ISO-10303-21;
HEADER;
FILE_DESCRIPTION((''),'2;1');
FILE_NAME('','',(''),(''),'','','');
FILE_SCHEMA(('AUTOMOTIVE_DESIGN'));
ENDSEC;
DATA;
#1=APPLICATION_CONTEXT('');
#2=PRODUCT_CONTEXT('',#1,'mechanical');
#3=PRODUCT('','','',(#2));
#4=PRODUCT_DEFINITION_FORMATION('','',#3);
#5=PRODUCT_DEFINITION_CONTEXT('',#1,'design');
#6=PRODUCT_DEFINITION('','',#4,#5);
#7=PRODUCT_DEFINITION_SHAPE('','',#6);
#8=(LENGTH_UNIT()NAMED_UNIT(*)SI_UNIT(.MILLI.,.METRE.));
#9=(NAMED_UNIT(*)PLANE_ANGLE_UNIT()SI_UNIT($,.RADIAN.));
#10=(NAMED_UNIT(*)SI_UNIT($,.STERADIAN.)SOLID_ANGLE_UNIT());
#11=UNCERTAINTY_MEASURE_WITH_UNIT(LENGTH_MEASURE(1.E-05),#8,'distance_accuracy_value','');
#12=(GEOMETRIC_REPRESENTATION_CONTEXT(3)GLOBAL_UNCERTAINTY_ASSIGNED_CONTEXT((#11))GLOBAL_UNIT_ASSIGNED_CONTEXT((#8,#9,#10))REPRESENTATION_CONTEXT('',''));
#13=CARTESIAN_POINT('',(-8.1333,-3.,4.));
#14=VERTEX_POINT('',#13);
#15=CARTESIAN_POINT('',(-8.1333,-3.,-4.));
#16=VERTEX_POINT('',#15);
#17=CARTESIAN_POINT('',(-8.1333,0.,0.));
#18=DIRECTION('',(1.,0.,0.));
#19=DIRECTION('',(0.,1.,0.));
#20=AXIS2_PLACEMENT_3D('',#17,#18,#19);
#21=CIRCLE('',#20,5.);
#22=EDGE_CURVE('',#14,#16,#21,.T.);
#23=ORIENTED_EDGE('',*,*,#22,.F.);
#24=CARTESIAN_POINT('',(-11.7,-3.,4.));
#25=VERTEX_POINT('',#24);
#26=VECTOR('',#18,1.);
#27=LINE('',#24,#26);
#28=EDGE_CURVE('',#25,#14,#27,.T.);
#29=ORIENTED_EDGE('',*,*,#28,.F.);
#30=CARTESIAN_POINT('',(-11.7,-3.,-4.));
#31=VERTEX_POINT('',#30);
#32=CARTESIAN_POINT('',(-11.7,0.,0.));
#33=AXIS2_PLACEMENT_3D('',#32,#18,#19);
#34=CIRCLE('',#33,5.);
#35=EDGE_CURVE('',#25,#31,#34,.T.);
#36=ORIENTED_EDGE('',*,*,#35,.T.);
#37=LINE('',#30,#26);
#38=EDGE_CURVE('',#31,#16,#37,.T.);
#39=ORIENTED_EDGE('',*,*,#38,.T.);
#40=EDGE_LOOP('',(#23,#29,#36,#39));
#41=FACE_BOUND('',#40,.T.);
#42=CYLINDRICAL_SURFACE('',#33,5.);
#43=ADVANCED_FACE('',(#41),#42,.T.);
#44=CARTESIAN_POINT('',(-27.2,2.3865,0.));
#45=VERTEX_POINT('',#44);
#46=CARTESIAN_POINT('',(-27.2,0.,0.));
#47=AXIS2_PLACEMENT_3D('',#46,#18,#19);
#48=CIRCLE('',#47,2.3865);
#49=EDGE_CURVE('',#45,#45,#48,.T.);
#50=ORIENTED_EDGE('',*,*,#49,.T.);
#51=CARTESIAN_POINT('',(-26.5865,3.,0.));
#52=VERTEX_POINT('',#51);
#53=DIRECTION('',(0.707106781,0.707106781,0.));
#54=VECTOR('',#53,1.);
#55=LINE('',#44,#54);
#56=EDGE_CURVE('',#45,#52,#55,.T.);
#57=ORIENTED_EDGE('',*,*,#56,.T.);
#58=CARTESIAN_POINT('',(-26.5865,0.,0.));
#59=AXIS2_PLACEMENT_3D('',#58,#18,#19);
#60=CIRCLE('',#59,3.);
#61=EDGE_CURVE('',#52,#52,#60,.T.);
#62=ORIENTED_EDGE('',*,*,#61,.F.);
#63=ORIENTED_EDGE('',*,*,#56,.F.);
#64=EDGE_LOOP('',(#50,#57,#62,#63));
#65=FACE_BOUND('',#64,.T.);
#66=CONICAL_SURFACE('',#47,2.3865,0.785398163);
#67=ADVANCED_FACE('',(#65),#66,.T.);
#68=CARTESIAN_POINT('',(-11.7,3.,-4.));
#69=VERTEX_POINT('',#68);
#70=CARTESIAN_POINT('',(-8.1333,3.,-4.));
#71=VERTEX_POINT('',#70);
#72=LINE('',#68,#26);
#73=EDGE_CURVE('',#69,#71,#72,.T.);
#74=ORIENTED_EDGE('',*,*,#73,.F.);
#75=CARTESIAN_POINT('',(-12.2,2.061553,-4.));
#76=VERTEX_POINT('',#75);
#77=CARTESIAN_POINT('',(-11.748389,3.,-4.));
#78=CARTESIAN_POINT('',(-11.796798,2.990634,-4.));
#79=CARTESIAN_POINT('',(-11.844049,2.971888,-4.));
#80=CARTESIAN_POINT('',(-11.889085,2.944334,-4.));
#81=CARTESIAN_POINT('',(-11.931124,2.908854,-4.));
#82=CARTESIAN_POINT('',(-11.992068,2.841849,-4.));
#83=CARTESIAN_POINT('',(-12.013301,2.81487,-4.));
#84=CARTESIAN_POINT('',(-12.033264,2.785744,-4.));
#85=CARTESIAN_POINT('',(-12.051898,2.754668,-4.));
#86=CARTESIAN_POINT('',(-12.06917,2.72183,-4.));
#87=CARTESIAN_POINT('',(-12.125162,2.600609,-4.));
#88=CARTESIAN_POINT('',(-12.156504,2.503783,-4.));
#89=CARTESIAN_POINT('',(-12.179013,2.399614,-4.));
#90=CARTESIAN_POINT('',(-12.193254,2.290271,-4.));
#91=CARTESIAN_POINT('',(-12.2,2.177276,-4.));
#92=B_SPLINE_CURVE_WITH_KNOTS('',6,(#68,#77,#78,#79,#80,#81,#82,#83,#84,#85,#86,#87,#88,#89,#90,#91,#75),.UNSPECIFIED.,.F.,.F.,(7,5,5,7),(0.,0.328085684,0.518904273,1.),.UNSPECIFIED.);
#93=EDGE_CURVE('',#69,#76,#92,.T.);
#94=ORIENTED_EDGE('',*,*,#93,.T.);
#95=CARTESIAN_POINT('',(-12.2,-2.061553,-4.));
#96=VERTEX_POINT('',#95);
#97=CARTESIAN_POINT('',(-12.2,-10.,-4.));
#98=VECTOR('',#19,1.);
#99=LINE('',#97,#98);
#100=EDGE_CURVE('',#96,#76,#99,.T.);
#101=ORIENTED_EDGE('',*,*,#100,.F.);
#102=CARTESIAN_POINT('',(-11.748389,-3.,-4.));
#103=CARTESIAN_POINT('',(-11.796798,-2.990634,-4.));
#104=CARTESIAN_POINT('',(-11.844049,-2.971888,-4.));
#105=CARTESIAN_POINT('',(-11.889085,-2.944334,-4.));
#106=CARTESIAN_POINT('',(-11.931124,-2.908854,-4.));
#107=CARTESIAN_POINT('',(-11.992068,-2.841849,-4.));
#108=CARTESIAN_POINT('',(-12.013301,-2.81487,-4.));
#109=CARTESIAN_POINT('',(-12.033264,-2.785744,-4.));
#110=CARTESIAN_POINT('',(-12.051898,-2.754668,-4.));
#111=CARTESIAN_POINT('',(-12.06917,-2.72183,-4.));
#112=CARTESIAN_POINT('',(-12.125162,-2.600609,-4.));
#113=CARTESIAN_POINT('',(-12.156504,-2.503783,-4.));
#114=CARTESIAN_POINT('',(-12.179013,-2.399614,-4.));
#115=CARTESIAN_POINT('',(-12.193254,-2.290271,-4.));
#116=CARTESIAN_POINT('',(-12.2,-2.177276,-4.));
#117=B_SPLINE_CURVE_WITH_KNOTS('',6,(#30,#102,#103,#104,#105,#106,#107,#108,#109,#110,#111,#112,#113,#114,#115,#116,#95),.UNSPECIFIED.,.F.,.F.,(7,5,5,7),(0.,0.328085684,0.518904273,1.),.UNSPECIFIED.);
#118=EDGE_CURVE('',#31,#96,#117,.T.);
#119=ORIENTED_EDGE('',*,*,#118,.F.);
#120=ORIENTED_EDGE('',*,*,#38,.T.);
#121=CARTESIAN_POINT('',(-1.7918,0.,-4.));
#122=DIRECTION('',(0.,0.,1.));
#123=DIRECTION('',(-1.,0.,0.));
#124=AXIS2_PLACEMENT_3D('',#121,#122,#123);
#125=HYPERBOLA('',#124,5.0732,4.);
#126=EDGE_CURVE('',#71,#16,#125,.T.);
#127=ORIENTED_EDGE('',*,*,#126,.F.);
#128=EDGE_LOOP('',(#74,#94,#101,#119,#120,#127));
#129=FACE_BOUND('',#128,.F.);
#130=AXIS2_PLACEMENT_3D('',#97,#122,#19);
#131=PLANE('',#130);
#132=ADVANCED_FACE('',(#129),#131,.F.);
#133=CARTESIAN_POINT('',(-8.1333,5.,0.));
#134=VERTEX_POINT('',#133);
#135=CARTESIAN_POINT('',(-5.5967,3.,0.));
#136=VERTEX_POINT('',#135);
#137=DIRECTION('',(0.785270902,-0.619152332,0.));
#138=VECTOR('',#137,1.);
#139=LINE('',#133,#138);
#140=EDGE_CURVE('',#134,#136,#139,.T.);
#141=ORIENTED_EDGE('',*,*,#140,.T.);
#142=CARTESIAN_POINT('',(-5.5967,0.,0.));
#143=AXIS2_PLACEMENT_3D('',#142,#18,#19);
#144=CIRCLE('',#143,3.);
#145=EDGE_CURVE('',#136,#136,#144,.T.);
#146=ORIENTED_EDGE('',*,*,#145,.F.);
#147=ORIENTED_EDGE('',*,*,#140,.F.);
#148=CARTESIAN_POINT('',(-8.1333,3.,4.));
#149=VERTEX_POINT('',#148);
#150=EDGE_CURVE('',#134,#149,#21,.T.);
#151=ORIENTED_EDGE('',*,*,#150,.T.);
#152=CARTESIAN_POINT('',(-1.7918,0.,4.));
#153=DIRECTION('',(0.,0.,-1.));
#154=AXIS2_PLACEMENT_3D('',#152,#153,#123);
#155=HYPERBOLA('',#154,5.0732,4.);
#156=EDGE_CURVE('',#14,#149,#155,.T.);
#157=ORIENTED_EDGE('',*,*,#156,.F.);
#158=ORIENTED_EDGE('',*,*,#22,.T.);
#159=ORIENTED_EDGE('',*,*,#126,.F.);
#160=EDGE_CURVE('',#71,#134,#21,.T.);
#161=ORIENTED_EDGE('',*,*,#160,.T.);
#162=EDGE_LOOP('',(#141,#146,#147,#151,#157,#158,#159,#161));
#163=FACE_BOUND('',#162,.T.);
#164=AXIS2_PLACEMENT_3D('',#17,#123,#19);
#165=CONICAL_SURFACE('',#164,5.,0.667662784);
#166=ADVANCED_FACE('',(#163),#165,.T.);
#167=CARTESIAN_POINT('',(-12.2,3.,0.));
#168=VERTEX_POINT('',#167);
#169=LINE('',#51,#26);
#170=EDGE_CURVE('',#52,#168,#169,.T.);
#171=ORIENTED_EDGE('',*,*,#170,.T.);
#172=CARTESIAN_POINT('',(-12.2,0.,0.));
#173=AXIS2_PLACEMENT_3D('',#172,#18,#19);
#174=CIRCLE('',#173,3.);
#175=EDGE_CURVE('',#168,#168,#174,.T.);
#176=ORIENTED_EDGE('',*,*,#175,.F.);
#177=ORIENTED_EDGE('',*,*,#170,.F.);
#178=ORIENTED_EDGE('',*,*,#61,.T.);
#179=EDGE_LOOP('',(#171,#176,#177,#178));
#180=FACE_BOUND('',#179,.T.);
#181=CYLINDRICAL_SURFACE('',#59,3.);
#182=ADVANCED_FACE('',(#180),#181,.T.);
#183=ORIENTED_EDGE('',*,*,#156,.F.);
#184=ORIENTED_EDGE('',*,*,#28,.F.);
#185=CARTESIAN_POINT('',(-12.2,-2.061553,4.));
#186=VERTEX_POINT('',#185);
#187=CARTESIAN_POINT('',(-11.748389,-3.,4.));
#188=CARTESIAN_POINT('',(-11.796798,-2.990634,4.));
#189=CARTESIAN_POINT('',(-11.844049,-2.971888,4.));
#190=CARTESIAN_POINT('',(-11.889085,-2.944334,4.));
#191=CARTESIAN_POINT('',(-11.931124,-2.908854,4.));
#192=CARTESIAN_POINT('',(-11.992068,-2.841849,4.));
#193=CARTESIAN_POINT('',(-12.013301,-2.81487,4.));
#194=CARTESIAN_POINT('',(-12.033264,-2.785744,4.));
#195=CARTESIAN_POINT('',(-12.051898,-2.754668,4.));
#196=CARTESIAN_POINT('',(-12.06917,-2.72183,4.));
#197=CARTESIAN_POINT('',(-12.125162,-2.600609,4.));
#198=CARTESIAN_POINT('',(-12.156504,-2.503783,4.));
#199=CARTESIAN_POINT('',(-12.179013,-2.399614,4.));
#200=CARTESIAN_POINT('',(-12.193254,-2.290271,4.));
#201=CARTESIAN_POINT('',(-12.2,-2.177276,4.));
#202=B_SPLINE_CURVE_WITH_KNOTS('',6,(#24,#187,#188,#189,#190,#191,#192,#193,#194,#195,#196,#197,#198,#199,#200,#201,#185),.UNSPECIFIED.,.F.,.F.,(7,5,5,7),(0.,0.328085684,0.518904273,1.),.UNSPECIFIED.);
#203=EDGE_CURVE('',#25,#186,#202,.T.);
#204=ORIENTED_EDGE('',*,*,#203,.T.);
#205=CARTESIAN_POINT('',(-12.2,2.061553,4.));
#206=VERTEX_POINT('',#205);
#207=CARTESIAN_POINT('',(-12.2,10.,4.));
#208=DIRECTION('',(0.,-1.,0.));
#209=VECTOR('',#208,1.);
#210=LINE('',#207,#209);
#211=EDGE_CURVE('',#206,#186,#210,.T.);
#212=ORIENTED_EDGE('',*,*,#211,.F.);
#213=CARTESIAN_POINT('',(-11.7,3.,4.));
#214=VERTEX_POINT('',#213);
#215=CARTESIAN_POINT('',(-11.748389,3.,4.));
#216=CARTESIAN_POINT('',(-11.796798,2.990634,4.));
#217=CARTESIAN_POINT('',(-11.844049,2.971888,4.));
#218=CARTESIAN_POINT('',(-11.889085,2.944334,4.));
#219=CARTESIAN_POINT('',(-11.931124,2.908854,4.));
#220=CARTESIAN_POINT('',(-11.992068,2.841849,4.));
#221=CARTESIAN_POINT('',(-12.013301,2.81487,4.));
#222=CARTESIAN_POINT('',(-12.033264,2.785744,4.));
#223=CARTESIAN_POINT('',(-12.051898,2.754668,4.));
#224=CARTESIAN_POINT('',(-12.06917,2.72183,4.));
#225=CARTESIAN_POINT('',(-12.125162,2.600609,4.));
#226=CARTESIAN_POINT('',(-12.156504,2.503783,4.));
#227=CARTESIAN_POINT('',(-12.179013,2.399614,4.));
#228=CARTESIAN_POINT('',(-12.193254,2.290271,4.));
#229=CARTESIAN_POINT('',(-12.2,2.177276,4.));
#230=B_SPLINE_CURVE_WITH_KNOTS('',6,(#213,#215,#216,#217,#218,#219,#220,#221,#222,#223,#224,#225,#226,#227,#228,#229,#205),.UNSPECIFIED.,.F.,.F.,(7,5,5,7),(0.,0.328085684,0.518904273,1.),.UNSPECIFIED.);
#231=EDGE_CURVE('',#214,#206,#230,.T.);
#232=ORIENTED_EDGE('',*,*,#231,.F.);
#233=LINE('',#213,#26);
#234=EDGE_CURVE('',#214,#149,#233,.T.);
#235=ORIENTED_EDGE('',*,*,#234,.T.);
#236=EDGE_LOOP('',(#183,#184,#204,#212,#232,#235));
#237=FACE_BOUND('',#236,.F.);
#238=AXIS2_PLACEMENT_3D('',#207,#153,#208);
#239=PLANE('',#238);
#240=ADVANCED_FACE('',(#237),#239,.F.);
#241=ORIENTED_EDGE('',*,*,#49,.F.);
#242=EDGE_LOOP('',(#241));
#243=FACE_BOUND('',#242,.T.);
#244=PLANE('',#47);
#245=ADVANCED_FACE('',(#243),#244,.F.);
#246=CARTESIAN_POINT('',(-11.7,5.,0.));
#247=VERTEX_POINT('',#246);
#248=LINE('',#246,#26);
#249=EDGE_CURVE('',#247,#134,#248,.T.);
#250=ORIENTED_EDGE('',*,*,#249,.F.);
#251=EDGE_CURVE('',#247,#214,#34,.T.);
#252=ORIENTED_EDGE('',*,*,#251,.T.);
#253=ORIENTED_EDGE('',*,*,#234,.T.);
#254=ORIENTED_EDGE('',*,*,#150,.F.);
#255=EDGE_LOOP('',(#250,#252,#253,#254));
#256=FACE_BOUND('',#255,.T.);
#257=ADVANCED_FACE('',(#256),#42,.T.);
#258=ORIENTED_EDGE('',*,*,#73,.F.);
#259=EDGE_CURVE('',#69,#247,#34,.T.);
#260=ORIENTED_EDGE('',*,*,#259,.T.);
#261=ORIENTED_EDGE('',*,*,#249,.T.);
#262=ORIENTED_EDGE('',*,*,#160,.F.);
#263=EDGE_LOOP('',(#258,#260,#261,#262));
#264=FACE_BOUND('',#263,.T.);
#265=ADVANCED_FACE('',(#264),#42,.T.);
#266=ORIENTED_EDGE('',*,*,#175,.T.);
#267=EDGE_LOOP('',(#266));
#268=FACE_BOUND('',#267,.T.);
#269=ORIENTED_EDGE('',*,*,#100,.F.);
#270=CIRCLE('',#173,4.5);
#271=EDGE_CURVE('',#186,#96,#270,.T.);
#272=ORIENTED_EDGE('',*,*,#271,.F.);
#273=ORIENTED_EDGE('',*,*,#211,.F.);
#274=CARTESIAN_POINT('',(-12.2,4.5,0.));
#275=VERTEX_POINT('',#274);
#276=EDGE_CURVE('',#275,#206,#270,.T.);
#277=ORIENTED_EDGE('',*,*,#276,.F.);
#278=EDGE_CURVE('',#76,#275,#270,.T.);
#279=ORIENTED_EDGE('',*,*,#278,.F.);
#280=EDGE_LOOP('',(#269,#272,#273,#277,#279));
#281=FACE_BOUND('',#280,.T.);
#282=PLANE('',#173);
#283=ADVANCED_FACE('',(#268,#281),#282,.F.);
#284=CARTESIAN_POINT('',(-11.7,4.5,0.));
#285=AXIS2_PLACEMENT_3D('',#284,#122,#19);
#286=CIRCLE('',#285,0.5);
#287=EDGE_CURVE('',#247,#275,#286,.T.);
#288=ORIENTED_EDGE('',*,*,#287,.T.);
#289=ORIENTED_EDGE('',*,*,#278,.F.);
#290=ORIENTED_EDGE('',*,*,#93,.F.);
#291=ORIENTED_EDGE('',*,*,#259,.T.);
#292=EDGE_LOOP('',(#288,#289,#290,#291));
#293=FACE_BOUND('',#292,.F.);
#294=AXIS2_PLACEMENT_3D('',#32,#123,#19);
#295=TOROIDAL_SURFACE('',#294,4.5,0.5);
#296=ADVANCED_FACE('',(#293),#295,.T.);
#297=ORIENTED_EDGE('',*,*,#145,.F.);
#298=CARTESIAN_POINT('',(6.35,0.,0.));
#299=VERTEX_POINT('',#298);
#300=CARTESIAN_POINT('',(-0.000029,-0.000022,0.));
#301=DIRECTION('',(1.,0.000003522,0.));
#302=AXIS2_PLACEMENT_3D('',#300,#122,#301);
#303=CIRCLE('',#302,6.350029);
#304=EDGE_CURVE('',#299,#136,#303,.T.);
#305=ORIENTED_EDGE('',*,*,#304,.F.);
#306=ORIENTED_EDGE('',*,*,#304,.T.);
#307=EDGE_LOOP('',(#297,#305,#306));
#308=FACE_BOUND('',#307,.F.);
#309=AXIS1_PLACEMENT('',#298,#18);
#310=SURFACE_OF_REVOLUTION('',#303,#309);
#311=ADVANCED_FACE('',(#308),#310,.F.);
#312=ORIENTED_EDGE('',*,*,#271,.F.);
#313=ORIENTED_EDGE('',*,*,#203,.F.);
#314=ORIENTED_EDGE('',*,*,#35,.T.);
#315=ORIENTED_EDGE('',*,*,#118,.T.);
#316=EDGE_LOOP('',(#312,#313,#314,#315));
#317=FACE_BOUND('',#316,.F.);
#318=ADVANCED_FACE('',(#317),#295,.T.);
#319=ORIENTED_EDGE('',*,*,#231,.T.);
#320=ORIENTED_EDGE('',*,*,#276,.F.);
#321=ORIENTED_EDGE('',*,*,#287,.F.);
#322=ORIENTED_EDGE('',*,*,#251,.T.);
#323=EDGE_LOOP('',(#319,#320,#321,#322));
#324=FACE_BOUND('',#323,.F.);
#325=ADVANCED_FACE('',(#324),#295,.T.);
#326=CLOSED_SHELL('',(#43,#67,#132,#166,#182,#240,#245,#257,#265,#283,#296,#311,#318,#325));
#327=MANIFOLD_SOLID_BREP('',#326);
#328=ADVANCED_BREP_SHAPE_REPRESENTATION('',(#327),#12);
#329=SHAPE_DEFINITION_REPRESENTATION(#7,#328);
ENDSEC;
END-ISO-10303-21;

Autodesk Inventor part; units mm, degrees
sketch "Sketch_1" plane through (0, 0, 0) normal (0, 0, 1) x (1, 0, 0)
  line L0 (6.35, 0) -> (-27.2, 0)
  line L1 (-27.2, 0) -> (-27.2, 2.3865)
  line L2 (-27.2, 2.3865) -> (-26.5865, 3)
  line L3 (-26.5865, 3) -> (-12.2, 3)
  line L4 (-12.2, 3) -> (-12.2, 4.5)
  arc A0 (-11.7, 5) -> (-12.2, 4.5) centre (-11.7, 4.5) ccw
  line L5 (-11.7, 5) -> (-8.1333, 5)
  line L6 (-8.1333, 5) -> (-5.5967, 3)
  arc A1 (6.35, 0) -> (-5.5967, 3) centre (0, 0) ccw
  line L7 (6.35, 0) -> (-27.2, 0)
revolve "Revolution1" add sketch "Sketch_1" angle 360 about axis through (6.35, 0, 0) along (1, 0, 0)
thread "Thread1" size "M6x1" class "6g" standard "ISO Metric profile" length 10.3865
sketch "Sketch_2" plane through (-12.2, 0, 0) normal (1, 0, 0) x (0, 0, -1)
  line L0 (-8, 20) -> (-8, -20)
  line L1 (-8, -20) -> (8, -20)
  line L2 (8, -20) -> (8, 20)
  line L3 (8, 20) -> (-8, 20)
  line L4 (-4, 10) -> (-4, -10)
  line L5 (-4, -10) -> (4, -10)
  line L6 (4, -10) -> (4, 10)
  line L7 (4, 10) -> (-4, 10)
extrude "Extrusion1" cut sketch "Sketch_2" along normal blind 6.1
ref_plane "shank_XY" through (0, 0, 0) normal (0, 0, 1) x (1, 0, 0)
ref_plane "shank_YZ" through (0, 0, 0) normal (1, 0, 0) x (0, 1, 0)
ref_plane "shank_ZX" through (0, 0, 0) normal (0, 1, 0) x (0, 0, 1)
properties part number "RBID6shank"
